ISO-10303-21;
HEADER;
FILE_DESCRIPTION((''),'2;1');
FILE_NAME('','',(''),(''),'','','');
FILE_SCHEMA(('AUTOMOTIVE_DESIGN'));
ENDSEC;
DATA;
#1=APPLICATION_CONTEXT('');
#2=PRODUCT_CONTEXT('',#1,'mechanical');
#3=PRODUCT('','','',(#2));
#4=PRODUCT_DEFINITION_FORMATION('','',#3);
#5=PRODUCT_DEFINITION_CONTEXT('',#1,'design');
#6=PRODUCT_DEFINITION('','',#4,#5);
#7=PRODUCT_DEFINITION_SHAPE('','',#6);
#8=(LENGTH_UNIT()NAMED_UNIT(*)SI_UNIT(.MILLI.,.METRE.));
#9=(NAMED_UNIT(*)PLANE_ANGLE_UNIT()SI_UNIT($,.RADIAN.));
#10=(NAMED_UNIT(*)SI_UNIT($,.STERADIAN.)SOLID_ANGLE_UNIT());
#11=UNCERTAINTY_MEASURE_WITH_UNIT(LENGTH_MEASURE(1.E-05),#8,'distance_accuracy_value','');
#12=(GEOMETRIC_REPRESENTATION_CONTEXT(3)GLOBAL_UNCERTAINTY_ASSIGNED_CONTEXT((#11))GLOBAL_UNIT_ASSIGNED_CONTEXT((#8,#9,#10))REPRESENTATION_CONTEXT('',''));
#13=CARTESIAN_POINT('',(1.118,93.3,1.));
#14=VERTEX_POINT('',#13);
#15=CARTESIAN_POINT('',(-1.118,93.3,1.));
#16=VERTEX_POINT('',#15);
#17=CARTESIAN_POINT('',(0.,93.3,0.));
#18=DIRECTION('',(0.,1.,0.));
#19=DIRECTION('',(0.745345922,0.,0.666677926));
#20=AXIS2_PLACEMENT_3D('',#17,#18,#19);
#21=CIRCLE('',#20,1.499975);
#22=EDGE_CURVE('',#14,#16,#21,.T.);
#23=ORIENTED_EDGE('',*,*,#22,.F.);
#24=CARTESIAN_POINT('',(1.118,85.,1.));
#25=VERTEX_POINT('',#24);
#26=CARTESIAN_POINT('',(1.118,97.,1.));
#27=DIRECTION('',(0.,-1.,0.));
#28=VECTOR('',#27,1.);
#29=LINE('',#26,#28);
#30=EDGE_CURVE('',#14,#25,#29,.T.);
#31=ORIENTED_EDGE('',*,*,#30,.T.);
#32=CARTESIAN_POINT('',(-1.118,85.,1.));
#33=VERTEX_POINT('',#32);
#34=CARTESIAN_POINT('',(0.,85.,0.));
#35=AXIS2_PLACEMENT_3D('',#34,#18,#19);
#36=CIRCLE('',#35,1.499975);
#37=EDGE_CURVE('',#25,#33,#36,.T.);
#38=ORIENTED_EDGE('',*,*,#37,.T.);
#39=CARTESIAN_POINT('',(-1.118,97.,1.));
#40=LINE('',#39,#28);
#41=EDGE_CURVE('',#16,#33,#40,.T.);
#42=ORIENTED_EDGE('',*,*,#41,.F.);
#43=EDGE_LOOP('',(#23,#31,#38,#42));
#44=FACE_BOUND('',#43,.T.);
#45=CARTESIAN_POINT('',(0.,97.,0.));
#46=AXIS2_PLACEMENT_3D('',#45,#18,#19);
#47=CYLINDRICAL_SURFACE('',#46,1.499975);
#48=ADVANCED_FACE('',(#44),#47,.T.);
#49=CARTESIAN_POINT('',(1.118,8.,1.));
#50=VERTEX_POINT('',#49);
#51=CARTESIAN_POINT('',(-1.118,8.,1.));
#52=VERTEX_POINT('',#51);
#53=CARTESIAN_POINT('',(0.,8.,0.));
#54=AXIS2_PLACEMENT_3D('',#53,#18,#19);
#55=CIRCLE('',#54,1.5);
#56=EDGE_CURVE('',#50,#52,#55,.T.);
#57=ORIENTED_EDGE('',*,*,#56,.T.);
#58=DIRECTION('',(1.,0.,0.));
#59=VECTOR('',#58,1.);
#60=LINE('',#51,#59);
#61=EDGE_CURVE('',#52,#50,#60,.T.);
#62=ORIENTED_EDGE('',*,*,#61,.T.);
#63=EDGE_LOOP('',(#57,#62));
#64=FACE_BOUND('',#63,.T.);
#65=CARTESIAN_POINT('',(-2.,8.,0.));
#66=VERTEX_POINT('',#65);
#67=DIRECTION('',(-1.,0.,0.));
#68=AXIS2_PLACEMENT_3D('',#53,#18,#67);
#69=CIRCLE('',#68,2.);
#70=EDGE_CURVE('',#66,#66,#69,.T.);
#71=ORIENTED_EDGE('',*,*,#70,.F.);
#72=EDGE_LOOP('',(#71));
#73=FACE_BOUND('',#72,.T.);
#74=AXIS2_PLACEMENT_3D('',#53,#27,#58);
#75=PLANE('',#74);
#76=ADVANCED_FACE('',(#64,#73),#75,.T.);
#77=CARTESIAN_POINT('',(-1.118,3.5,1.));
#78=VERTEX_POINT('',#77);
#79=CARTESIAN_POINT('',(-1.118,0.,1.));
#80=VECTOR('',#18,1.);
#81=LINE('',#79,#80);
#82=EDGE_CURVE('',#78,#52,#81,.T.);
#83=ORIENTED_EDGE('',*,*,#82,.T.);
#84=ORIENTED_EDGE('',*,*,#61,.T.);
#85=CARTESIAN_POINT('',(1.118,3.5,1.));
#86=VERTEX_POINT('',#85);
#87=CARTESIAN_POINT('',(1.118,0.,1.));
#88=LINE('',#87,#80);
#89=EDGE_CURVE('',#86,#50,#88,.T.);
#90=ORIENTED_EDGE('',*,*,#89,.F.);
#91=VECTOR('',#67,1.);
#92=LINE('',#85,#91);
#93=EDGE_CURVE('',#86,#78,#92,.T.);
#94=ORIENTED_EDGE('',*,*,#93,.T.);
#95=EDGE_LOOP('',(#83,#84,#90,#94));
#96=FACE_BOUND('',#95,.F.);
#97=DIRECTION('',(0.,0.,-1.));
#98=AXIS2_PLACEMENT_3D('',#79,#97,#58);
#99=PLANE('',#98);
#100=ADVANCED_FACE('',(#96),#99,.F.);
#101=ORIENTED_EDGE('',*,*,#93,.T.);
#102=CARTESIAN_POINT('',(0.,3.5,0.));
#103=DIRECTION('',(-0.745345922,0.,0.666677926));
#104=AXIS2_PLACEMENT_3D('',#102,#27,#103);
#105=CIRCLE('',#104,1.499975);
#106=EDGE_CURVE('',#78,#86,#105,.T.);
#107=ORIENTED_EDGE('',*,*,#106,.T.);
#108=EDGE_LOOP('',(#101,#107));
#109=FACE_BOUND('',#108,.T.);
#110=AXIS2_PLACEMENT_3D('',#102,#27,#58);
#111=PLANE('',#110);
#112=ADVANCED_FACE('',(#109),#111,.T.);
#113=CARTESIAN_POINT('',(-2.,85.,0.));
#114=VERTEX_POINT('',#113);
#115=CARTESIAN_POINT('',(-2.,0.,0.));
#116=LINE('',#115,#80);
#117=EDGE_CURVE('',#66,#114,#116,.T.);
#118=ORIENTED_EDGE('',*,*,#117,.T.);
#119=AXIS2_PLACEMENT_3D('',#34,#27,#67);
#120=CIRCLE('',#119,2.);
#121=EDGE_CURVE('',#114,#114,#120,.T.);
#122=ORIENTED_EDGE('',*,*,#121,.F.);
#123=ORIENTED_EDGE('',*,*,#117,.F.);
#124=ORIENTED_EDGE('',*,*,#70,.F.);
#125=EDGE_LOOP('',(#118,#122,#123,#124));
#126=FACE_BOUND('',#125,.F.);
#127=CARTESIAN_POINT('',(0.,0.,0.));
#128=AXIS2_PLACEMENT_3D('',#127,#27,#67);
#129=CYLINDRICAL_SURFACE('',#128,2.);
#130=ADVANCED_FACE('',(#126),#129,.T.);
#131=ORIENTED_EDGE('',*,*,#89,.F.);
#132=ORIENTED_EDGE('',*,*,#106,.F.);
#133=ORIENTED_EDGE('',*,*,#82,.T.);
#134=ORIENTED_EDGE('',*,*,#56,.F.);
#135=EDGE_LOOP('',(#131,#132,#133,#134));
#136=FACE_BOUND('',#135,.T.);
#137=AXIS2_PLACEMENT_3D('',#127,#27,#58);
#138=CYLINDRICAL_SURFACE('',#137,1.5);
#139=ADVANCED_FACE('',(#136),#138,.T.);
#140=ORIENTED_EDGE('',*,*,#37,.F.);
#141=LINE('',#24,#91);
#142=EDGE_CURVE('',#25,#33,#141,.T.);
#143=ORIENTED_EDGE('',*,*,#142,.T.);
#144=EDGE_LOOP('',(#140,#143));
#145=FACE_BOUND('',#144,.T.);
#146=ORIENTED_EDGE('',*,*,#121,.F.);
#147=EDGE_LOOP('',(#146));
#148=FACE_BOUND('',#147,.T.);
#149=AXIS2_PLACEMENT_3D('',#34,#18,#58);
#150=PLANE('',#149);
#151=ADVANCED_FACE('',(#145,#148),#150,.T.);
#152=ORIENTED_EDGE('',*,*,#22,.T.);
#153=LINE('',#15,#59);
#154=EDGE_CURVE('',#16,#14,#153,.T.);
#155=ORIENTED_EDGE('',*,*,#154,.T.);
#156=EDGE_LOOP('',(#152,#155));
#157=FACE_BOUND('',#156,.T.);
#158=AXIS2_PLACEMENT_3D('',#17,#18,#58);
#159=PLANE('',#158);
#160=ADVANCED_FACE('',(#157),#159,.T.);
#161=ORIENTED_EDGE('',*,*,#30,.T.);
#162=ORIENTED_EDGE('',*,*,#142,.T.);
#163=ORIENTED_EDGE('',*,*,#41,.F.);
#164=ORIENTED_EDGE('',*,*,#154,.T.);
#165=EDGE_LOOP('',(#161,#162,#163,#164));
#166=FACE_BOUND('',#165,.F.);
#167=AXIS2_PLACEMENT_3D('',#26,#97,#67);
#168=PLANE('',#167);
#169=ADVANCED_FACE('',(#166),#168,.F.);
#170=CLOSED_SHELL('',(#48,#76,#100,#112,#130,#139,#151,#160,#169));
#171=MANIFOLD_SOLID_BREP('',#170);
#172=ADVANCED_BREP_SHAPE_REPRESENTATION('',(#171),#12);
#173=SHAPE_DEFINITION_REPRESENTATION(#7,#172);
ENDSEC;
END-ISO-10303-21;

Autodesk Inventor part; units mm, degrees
ref_plane "YZ Plane" through (0, 0, 0) normal (1, 0, 0) x (0, 1, 0)
ref_plane "XZ Plane" through (0, 0, 0) normal (0, 1, 0) x (-1, 0, 0)
ref_plane "XY Plane" through (0, 0, 0) normal (0, 0, 1) x (1, 0, 0)
sketch "スケッチ1" plane through (0, 0, 0) normal (0, 1, 0) x (-1, 0, 0)
  circle A0 centre (0, 0) radius 2
  dimension "d0" = 4
extrude "押し出し1" add sketch "スケッチ1" along normal blind 97
sketch "スケッチ2" plane through (0, 0, 0) normal (0, -1, 0) x (1, 0, 0)
  circle A0 centre (0, 0) radius 1.5
  line L0 (-1.118, 1) -> (1.118, 1)
  circle A1 centre (0, 0) radius 2 projected
  circle A2 centre (0, 0) radius 2 projected
  dimension "d3" = 3
  dimension "d4" = 1
extrude "押し出し2" cut sketch "スケッチ2" against normal blind 8 contours L0 A0 | A1 picked at (-0.0599, 1.1631)
sketch "スケッチ3" plane through (0, 97, 0) normal (0, 1, 0) x (1, 0, 0)
  arc A0 (1.118, -1) -> (-1.118, -1) centre (0, 0) ccw projected
  line L0 (1.118, -1) -> (-1.118, -1) projected
  circle A1 centre (0, 0) radius 2 projected
extrude "押し出し3" cut sketch "スケッチ3" against normal blind 12
sketch "スケッチ4" plane through (0, 97, 0) normal (0, 1, 0) x (1, 0, 0)
  arc A0 (1.118, -1) -> (-1.118, -1) centre (0, 0) ccw projected
  line L0 (-1.118, -1) -> (1.118, -1) projected
extrude "押し出し4" cut sketch "スケッチ4" against normal blind 3.7
sketch "スケッチ5" plane through (0, 0, 0) normal (0, -1, 0) x (1, 0, 0)
  line L0 (1.118, 1) -> (-1.118, 1) projected
  arc A0 (-1.118, 1) -> (1.118, 1) centre (0, 0) ccw projected
extrude "押し出し5" cut sketch "スケッチ5" against normal blind 3.5
properties part number "screw_screw" material "アルミニウム 6061"
